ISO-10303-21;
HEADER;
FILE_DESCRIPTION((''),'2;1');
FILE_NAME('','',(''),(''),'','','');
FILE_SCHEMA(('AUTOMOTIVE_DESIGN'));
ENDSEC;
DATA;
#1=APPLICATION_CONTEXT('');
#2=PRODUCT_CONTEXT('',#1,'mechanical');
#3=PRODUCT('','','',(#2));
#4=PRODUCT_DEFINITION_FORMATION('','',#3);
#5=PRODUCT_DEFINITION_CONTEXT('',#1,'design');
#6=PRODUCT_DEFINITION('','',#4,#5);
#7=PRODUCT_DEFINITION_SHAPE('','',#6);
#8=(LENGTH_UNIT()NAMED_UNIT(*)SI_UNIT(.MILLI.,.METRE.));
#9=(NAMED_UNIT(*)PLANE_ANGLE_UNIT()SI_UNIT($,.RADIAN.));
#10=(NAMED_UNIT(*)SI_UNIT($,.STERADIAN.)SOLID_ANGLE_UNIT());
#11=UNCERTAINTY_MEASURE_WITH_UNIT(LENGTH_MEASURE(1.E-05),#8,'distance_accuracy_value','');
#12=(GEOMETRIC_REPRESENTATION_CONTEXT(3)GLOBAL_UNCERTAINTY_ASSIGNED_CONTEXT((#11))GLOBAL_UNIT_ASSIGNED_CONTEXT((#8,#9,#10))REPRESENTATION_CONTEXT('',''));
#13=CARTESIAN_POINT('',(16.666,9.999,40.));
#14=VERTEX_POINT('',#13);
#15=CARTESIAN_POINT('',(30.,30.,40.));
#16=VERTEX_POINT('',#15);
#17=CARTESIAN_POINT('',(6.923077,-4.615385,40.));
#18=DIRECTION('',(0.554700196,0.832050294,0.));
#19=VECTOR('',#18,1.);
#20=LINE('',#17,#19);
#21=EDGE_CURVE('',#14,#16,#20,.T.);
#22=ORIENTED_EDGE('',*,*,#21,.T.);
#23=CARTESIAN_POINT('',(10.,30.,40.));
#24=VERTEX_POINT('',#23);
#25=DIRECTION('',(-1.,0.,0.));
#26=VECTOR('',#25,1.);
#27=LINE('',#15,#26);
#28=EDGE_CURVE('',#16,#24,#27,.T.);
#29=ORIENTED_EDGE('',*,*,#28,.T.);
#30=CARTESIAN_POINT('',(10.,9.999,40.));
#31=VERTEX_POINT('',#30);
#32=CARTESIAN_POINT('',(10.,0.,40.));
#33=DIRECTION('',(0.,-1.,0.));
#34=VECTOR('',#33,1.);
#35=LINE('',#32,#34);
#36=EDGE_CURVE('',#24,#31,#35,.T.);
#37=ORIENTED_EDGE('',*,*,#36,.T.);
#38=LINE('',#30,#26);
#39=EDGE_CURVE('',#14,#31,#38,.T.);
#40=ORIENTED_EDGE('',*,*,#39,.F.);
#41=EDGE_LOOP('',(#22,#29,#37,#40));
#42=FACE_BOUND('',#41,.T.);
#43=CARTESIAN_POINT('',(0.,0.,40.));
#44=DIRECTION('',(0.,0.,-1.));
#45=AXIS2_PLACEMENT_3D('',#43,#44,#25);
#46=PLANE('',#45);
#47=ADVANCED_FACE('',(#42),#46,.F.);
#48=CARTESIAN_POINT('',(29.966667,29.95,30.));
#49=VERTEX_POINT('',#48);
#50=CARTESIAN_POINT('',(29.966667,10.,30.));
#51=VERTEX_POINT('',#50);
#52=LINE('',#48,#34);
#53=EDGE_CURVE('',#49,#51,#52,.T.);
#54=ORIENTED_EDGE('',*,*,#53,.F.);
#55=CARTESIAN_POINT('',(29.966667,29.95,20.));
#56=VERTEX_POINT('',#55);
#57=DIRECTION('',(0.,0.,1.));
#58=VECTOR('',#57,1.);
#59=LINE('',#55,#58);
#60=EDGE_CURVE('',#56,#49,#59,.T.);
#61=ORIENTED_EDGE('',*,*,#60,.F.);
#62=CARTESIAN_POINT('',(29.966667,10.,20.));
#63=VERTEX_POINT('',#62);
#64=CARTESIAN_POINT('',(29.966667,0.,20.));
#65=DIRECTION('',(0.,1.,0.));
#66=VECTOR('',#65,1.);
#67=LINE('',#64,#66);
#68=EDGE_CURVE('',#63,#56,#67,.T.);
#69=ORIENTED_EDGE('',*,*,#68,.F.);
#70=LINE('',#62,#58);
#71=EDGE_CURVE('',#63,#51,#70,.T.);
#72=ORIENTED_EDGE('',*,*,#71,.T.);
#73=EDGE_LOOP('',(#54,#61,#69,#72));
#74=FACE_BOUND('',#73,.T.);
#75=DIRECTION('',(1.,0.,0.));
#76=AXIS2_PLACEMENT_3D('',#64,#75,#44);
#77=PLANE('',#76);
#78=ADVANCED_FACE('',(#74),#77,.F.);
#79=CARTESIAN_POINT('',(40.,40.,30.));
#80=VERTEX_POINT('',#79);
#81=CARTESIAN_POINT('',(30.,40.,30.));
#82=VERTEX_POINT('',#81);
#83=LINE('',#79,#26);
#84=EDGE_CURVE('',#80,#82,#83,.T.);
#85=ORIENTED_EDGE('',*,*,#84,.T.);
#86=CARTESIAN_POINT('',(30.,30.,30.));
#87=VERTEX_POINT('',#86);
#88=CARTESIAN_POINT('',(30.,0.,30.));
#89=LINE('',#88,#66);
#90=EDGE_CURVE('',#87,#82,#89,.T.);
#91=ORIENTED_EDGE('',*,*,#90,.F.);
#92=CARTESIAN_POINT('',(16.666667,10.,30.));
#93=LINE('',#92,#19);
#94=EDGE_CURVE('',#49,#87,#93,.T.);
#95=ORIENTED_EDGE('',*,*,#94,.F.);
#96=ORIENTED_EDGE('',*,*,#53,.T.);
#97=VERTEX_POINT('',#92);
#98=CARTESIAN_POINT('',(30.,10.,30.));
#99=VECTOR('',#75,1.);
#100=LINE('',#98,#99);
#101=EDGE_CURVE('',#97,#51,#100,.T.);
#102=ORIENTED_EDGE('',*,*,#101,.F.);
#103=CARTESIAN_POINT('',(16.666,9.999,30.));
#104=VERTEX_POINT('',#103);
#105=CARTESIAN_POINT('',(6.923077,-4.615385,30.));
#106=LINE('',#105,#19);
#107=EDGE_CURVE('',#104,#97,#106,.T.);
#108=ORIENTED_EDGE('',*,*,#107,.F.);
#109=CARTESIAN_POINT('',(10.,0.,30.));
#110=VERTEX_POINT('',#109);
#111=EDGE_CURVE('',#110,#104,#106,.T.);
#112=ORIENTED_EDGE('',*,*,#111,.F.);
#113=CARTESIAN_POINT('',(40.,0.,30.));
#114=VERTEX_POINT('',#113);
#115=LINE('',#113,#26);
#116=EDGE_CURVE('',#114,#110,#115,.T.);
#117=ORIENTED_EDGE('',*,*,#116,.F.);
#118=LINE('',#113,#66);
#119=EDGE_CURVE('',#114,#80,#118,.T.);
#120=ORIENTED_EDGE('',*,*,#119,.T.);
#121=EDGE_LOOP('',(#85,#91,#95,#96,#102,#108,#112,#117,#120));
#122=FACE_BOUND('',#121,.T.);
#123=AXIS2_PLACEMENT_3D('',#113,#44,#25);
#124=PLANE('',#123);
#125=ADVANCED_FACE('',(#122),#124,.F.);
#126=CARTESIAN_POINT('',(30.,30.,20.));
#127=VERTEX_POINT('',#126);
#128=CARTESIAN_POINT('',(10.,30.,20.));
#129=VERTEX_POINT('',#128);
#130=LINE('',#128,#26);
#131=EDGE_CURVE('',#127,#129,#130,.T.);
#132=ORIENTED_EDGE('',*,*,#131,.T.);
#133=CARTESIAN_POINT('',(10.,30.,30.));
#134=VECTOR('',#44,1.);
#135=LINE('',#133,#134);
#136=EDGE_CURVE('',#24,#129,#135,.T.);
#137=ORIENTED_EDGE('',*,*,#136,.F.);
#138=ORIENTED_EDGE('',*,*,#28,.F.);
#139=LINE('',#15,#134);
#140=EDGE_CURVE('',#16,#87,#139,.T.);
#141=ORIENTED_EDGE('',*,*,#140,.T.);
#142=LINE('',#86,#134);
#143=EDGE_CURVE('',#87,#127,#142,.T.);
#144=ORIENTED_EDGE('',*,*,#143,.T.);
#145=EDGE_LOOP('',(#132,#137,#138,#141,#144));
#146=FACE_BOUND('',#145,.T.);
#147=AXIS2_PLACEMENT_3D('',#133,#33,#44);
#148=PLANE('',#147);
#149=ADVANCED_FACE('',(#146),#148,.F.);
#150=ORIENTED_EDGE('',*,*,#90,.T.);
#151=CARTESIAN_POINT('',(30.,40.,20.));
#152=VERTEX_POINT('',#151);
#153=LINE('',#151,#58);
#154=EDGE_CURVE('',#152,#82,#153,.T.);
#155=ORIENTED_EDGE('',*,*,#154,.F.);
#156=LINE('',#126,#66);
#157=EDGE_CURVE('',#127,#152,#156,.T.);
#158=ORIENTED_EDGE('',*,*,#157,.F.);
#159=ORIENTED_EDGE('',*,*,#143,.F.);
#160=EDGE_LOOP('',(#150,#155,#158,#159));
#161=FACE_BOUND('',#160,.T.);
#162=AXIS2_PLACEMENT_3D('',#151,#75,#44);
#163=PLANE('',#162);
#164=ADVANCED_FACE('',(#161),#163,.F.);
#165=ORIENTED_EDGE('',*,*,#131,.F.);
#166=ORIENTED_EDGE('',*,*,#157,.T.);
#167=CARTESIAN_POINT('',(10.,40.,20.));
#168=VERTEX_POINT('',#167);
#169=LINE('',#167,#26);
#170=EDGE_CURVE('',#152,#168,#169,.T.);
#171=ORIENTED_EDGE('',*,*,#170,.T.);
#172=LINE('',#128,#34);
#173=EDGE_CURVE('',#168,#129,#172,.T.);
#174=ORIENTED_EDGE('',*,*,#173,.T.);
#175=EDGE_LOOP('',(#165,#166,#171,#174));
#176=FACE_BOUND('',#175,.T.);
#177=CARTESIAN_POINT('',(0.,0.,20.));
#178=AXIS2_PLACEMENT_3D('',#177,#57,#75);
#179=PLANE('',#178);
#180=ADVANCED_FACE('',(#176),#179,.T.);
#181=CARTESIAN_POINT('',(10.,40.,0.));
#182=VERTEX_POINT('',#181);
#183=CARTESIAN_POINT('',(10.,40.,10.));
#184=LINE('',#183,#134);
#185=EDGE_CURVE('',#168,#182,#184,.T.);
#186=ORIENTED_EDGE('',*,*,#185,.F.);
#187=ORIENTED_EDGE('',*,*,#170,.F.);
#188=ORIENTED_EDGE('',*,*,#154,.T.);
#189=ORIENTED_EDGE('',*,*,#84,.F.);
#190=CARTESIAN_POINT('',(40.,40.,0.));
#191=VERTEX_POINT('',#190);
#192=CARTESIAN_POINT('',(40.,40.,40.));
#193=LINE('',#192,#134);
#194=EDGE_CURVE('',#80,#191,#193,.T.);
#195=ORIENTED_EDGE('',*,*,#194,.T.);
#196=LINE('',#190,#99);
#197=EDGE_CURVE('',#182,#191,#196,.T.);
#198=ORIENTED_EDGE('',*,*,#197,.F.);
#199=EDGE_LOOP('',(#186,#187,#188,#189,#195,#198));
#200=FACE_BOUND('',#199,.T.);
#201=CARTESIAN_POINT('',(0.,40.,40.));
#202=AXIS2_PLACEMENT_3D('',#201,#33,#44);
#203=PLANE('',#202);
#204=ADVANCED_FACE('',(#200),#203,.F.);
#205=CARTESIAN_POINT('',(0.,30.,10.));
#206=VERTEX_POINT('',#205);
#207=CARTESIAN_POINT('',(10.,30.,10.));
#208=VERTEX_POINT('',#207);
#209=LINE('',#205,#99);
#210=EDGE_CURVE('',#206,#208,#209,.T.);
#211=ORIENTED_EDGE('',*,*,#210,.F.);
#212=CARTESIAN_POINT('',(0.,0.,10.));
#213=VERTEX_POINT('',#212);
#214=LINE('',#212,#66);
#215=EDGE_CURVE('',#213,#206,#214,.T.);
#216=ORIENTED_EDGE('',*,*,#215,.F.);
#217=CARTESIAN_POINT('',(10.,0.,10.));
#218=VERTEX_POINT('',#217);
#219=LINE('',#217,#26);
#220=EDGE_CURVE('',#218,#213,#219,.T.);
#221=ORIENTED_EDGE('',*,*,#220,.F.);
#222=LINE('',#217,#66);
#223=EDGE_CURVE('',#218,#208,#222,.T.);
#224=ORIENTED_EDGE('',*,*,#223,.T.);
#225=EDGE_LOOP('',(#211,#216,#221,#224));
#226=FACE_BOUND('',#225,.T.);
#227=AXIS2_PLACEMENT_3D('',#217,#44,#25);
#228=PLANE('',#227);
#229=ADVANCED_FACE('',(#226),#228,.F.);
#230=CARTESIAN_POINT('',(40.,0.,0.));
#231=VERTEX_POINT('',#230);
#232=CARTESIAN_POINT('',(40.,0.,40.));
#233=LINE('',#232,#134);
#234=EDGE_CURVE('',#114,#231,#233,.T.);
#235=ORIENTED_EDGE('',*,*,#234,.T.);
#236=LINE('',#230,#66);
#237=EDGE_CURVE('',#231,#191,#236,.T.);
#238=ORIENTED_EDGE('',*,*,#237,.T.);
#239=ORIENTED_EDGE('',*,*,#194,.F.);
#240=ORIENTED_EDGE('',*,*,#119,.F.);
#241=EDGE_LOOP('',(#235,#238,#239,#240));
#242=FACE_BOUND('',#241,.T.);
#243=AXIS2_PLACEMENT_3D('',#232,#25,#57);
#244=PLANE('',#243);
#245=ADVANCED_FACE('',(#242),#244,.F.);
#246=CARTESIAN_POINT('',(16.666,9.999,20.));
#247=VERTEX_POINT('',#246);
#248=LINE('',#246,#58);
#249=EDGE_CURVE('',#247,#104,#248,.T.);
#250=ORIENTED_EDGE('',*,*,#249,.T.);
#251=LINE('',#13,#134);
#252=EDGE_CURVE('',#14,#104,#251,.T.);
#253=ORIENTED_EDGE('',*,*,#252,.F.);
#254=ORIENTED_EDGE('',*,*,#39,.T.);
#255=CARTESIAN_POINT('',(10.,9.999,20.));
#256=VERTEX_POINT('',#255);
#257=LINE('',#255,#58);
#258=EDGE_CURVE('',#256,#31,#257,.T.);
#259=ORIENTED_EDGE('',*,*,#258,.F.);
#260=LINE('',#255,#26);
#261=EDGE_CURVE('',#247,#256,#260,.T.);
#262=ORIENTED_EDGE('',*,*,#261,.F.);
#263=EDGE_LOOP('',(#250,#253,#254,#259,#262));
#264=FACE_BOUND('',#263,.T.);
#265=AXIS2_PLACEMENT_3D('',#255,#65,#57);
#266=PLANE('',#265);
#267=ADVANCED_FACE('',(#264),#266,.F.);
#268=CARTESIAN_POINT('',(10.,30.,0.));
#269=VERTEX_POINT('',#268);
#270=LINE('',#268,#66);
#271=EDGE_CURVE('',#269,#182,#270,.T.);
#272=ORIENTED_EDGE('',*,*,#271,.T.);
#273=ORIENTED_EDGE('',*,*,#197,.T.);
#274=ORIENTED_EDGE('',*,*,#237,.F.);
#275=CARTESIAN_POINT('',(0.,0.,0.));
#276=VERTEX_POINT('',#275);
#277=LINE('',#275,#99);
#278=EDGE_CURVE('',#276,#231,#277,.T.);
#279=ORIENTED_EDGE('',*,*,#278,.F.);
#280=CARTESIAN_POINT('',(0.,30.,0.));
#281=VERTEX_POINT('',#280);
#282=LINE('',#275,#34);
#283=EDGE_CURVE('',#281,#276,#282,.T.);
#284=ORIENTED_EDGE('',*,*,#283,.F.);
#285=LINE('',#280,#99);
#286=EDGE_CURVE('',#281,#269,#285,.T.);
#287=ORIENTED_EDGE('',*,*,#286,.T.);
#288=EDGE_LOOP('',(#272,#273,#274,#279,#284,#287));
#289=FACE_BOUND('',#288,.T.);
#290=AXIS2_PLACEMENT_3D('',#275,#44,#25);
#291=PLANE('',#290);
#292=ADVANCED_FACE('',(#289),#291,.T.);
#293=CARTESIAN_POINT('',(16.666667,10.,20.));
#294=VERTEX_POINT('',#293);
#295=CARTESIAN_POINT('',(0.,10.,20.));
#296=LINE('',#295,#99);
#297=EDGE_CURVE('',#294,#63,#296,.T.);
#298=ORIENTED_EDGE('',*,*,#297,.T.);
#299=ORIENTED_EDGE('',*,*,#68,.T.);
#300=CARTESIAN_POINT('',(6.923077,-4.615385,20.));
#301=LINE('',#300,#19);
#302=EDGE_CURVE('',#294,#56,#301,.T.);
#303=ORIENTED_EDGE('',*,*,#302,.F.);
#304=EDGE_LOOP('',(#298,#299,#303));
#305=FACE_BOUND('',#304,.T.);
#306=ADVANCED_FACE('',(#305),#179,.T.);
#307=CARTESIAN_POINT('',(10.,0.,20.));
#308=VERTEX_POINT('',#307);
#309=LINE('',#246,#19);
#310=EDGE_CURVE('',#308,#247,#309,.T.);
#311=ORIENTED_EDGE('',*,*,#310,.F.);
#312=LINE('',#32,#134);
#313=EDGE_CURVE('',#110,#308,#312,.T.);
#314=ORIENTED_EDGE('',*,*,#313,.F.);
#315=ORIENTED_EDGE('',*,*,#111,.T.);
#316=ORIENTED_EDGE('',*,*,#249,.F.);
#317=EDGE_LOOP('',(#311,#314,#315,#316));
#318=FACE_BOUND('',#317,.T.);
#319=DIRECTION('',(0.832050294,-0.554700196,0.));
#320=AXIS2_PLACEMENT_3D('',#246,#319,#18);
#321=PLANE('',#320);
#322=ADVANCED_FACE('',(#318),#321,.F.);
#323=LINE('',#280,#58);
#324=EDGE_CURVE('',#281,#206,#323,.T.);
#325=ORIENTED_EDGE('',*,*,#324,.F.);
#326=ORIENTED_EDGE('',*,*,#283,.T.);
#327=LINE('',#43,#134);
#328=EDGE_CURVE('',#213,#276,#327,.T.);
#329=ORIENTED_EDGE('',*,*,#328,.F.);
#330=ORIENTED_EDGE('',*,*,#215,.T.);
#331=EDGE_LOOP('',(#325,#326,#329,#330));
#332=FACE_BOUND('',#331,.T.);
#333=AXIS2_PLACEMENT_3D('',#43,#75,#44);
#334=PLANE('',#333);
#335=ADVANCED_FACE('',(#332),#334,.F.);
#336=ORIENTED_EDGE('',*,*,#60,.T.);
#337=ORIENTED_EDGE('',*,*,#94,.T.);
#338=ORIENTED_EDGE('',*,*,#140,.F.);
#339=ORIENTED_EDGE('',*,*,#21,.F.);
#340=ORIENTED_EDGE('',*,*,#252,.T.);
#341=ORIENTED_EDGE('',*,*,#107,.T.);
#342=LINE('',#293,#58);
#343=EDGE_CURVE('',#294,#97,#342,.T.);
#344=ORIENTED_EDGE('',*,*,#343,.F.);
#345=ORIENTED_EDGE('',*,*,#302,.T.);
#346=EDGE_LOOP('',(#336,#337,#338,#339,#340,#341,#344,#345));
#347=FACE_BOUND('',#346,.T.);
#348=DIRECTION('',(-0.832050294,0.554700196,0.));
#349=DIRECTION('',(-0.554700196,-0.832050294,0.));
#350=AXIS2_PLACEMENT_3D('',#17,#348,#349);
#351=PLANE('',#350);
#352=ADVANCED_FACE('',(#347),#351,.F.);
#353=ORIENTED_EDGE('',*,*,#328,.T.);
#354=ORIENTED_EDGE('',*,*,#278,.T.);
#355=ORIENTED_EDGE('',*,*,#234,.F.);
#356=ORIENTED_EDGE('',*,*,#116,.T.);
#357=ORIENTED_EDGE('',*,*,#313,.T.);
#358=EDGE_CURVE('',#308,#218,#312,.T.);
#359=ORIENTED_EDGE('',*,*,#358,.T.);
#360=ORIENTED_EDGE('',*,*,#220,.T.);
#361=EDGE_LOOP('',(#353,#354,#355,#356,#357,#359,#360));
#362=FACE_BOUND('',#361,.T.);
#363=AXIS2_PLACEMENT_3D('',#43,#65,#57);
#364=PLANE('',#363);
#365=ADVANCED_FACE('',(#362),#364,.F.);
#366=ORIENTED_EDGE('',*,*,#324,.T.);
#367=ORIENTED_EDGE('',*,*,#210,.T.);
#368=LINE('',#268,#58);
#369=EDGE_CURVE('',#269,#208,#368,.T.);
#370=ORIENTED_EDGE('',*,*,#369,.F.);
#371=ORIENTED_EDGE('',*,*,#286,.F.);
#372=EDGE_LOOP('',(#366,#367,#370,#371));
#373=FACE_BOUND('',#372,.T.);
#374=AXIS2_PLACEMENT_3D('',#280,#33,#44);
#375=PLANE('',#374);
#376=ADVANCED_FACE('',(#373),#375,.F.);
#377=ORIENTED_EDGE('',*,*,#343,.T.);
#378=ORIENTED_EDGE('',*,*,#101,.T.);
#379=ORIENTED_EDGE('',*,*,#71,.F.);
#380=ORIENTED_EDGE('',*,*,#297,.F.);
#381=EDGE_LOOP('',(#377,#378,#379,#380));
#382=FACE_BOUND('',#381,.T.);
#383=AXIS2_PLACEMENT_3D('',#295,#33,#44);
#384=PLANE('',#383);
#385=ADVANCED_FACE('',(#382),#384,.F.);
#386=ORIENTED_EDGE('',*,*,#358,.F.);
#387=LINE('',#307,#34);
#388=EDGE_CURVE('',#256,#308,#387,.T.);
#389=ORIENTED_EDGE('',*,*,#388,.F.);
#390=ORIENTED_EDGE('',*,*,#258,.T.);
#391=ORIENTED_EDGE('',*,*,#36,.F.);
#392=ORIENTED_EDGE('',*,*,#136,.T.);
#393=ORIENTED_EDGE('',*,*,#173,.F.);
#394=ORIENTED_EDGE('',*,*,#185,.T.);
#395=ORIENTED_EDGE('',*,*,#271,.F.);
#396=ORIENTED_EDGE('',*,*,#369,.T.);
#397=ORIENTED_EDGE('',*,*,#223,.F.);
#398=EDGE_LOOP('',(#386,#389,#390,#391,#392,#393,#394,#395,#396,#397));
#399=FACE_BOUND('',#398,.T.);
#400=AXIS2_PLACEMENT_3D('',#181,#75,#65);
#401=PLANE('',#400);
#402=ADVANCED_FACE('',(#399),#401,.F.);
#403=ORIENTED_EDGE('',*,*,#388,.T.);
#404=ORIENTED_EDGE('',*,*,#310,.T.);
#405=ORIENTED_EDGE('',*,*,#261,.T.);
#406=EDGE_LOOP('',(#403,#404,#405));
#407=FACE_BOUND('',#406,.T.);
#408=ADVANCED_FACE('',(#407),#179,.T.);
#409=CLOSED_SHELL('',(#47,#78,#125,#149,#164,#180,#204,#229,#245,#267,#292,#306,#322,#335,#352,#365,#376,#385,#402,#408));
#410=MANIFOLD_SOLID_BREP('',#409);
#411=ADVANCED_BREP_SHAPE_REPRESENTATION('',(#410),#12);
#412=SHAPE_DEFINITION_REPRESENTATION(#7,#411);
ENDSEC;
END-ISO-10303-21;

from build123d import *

# Parameters (mm, degrees)
SKETCH1_W            = 40
SKETCH1_H            = 40
BOSS_EXTRUDE1_DEPTH  = 40
SKETCH2_W            = 10
SKETCH2_H            = 10
CUT_EXTRUDE1_DEPTH   = 40
SKETCH4_W            = 10
SKETCH4_H            = 10
SKETCH4_H_2          = 30
CUT_EXTRUDE2_DEPTH   = 40
SKETCH5_W            = 20
SKETCH5_H            = 10
CUT_EXTRUDE3_DEPTH   = 10
SKETCH7_W            = 20
SKETCH7_H            = 10
CUT_EXTRUDE16_DEPTH  = 20
SKETCH11_W           = 20
SKETCH11_H           = 20
CUT_EXTRUDE19_DEPTH  = 10
CUT_EXTRUDE20_DEPTH  = 10
SKETCH13_W           = 20
SKETCH13_H           = 10
CUT_EXTRUDE21_DEPTH  = 10
BOSS_EXTRUDE2_DEPTH  = 10
SKETCH16_W           = 20
SKETCH16_H           = 20
CUT_EXTRUDE25_DEPTH  = 10
CUT_EXTRUDE26_DEPTH  = 10
SKETCH22_W           = 20
SKETCH22_H           = 10
BOSS_EXTRUDE5_DEPTH  = 10
BOSS_EXTRUDE6_DEPTH  = 10
SKETCH24_W           = 20
SKETCH24_H           = 20
BOSS_EXTRUDE7_DEPTH  = 10
BOSS_EXTRUDE8_DEPTH  = 10
BOSS_EXTRUDE9_DEPTH  = 10
CUT_EXTRUDE27_DEPTH  = 10
BOSS_EXTRUDE12_DEPTH = 10
CUT_EXTRUDE30_DEPTH  = 20
CUT_EXTRUDE31_DEPTH  = 10
SKETCH32_W           = 10
SKETCH32_H           = 19.95
CUT_EXTRUDE36_DEPTH  = 10
SKETCH33_W           = 0.033333333
SKETCH33_H           = 10
CUT_EXTRUDE37_DEPTH  = 10
BOSS_EXTRUDE13_DEPTH = 10
CUT_EXTRUDE40_DEPTH  = 20


with BuildPart() as part:
    # Sketch1 → Boss-Extrude1 (new body)
    with BuildSketch(Plane.XY):
        with Locations((20, 20)):
            Rectangle(SKETCH1_W, SKETCH1_H)
    extrude(amount=BOSS_EXTRUDE1_DEPTH)

    # Sketch2 → Cut-Extrude1 (cut)
    with BuildSketch(Plane.XY.offset(40)):
        with Locations((5, 35)):
            Rectangle(SKETCH2_W, SKETCH2_H)
    extrude(amount=-CUT_EXTRUDE1_DEPTH, mode=Mode.SUBTRACT)

    # Sketch4 → Cut-Extrude2 (cut)
    with BuildSketch(Plane(origin=(0, 40, 0), x_dir=(1, 0, 0), z_dir=(0, 1, 0))):
        with Locations((35, -35)):
            Rectangle(SKETCH4_W, SKETCH4_H)
        with Locations((5, -25)):
            Rectangle(SKETCH4_W, SKETCH4_H_2)
    extrude(amount=-CUT_EXTRUDE2_DEPTH, mode=Mode.SUBTRACT)

    # Sketch5 → Cut-Extrude3 (cut)
    with BuildSketch(Plane.XY.offset(40)):
        with Locations((20, 5)):
            Rectangle(SKETCH5_W, SKETCH5_H)
    extrude(amount=-CUT_EXTRUDE3_DEPTH, mode=Mode.SUBTRACT)

    # Sketch7 → Cut-Extrude16 (cut)
    with BuildSketch(Plane.XY.offset(40)):
        with Locations((20, 35)):
            Rectangle(SKETCH7_W, SKETCH7_H)
    extrude(amount=-CUT_EXTRUDE16_DEPTH, mode=Mode.SUBTRACT)

    # Sketch11 → Cut-Extrude19 (cut)
    with BuildSketch(Plane.XY.offset(40)):
        with Locations((20, 20)):
            Rectangle(SKETCH11_W, SKETCH11_H)
    extrude(amount=-CUT_EXTRUDE19_DEPTH, mode=Mode.SUBTRACT)

    # Sketch12 → Cut-Extrude20 (cut)
    with BuildSketch(Plane(origin=(0, 0, 0), x_dir=(-1, 0, 0), z_dir=(0, 0, -1))):
        Polygon((-10, 30), (-40, 40), (-10, 40), align=None)
    extrude(amount=-CUT_EXTRUDE20_DEPTH, mode=Mode.SUBTRACT)

    # Sketch13 → Cut-Extrude21 (cut)
    with BuildSketch(Plane.XY.offset(20)):
        with Locations((20, 35)):
            Rectangle(SKETCH13_W, SKETCH13_H)
    extrude(amount=-CUT_EXTRUDE21_DEPTH, mode=Mode.SUBTRACT)

    # Sketch15 → Boss-Extrude2 (add)
    with BuildSketch(Plane(origin=(0, 0, 0), x_dir=(-1, 0, 0), z_dir=(0, 0, -1))):
        Polygon((-40, 40), (-10, 40), (-10, 30), align=None)
    extrude(amount=-BOSS_EXTRUDE2_DEPTH)

    # Sketch16 → Cut-Extrude25 (cut)
    with BuildSketch(Plane.XY.offset(30)):
        with Locations((20, 20)):
            Rectangle(SKETCH16_W, SKETCH16_H)
    extrude(amount=-CUT_EXTRUDE25_DEPTH, mode=Mode.SUBTRACT)

    # Sketch19 → Cut-Extrude26 (cut)
    with BuildSketch(Plane.XY.offset(30)):
        Polygon((10, 0), (30, 30), (10, 30), align=None)
    extrude(amount=-CUT_EXTRUDE26_DEPTH, mode=Mode.SUBTRACT)

    # Sketch22 → Boss-Extrude5 (add)
    with BuildSketch(Plane.XY.offset(10)):
        with Locations((20, 35)):
            Rectangle(SKETCH22_W, SKETCH22_H)
    extrude(amount=BOSS_EXTRUDE5_DEPTH)

    # Sketch23 → Boss-Extrude6 (add)
    with BuildSketch(Plane.XY.offset(20)):
        Polygon((16.666666667, 10), (10, 10), (10, 0), align=None)
    extrude(amount=BOSS_EXTRUDE6_DEPTH)

    # Sketch24 → Boss-Extrude7 (add)
    with BuildSketch(Plane.XY.offset(20)):
        with Locations((20, 20)):
            Rectangle(SKETCH24_W, SKETCH24_H)
    extrude(amount=BOSS_EXTRUDE7_DEPTH)

    # Sketch25 → Boss-Extrude8 (add)
    with BuildSketch(Plane.XY.offset(30)):
        Polygon((10, 0), (30, 30), (10, 30), align=None)
    extrude(amount=BOSS_EXTRUDE8_DEPTH)

    # Sketch26 → Boss-Extrude9 (add)
    with BuildSketch(Plane.XY.offset(30)):
        Polygon((30, 30), (30, 10), (16.666666667, 10), align=None)
    extrude(amount=BOSS_EXTRUDE9_DEPTH)

    # Sketch27 → Cut-Extrude27 (cut)
    with BuildSketch(Plane.XY.offset(40)):
        Polygon((10, 0), (30, 30), (10, 30), align=None)
    extrude(amount=-CUT_EXTRUDE27_DEPTH, mode=Mode.SUBTRACT)

    # Sketch28 → Boss-Extrude12 (add)
    with BuildSketch(Plane.XY.offset(30)):
        Polygon((10, 10), (16.666666667, 10), (30, 30), (10, 30), align=None)
        Polygon((10, 0), (16.666666667, 10), (10, 10), align=None)
    extrude(amount=BOSS_EXTRUDE12_DEPTH)

    # Sketch29 → Cut-Extrude30 (cut)
    with BuildSketch(Plane.XY.offset(40)):
        Polygon((29.966666667, 29.95), (16.666666667, 10), (29.966666667, 10), align=None)
    extrude(amount=-CUT_EXTRUDE30_DEPTH, mode=Mode.SUBTRACT)

    # Sketch30 → Cut-Extrude31 (cut)
    with BuildSketch(Plane.XY.offset(40)):
        Polygon((30, 30), (10, 30), (10, 10), (16.666666667, 10), align=None)
    extrude(amount=-CUT_EXTRUDE31_DEPTH, mode=Mode.SUBTRACT)

    # Sketch32 → Cut-Extrude36 (cut)
    with BuildSketch(Plane.ZY.offset(-29.966666667)):
        with Locations((35, 19.975)):
            Rectangle(SKETCH32_W, SKETCH32_H)
    extrude(amount=-CUT_EXTRUDE36_DEPTH, mode=Mode.SUBTRACT)

    # Sketch33 → Cut-Extrude37 (cut)
    with BuildSketch(Plane.XZ.offset(-29.95)):
        with Locations((29.983333334, 35)):
            Rectangle(SKETCH33_W, SKETCH33_H)
    extrude(amount=-CUT_EXTRUDE37_DEPTH, mode=Mode.SUBTRACT)

    # Sketch34 → Boss-Extrude13 (add)
    with BuildSketch(Plane.XY.offset(30)):
        Polygon((10, 10), (16.666666667, 10), (30, 30), (10, 30), align=None)
    extrude(amount=BOSS_EXTRUDE13_DEPTH)

    # Sketch35 → Cut-Extrude40 (cut)
    with BuildSketch(Plane.XY.offset(40)):
        Polygon((10, 0), (10, 9.999), (16.666, 9.999), align=None)
    extrude(amount=-CUT_EXTRUDE40_DEPTH, mode=Mode.SUBTRACT)


solid = part.part
